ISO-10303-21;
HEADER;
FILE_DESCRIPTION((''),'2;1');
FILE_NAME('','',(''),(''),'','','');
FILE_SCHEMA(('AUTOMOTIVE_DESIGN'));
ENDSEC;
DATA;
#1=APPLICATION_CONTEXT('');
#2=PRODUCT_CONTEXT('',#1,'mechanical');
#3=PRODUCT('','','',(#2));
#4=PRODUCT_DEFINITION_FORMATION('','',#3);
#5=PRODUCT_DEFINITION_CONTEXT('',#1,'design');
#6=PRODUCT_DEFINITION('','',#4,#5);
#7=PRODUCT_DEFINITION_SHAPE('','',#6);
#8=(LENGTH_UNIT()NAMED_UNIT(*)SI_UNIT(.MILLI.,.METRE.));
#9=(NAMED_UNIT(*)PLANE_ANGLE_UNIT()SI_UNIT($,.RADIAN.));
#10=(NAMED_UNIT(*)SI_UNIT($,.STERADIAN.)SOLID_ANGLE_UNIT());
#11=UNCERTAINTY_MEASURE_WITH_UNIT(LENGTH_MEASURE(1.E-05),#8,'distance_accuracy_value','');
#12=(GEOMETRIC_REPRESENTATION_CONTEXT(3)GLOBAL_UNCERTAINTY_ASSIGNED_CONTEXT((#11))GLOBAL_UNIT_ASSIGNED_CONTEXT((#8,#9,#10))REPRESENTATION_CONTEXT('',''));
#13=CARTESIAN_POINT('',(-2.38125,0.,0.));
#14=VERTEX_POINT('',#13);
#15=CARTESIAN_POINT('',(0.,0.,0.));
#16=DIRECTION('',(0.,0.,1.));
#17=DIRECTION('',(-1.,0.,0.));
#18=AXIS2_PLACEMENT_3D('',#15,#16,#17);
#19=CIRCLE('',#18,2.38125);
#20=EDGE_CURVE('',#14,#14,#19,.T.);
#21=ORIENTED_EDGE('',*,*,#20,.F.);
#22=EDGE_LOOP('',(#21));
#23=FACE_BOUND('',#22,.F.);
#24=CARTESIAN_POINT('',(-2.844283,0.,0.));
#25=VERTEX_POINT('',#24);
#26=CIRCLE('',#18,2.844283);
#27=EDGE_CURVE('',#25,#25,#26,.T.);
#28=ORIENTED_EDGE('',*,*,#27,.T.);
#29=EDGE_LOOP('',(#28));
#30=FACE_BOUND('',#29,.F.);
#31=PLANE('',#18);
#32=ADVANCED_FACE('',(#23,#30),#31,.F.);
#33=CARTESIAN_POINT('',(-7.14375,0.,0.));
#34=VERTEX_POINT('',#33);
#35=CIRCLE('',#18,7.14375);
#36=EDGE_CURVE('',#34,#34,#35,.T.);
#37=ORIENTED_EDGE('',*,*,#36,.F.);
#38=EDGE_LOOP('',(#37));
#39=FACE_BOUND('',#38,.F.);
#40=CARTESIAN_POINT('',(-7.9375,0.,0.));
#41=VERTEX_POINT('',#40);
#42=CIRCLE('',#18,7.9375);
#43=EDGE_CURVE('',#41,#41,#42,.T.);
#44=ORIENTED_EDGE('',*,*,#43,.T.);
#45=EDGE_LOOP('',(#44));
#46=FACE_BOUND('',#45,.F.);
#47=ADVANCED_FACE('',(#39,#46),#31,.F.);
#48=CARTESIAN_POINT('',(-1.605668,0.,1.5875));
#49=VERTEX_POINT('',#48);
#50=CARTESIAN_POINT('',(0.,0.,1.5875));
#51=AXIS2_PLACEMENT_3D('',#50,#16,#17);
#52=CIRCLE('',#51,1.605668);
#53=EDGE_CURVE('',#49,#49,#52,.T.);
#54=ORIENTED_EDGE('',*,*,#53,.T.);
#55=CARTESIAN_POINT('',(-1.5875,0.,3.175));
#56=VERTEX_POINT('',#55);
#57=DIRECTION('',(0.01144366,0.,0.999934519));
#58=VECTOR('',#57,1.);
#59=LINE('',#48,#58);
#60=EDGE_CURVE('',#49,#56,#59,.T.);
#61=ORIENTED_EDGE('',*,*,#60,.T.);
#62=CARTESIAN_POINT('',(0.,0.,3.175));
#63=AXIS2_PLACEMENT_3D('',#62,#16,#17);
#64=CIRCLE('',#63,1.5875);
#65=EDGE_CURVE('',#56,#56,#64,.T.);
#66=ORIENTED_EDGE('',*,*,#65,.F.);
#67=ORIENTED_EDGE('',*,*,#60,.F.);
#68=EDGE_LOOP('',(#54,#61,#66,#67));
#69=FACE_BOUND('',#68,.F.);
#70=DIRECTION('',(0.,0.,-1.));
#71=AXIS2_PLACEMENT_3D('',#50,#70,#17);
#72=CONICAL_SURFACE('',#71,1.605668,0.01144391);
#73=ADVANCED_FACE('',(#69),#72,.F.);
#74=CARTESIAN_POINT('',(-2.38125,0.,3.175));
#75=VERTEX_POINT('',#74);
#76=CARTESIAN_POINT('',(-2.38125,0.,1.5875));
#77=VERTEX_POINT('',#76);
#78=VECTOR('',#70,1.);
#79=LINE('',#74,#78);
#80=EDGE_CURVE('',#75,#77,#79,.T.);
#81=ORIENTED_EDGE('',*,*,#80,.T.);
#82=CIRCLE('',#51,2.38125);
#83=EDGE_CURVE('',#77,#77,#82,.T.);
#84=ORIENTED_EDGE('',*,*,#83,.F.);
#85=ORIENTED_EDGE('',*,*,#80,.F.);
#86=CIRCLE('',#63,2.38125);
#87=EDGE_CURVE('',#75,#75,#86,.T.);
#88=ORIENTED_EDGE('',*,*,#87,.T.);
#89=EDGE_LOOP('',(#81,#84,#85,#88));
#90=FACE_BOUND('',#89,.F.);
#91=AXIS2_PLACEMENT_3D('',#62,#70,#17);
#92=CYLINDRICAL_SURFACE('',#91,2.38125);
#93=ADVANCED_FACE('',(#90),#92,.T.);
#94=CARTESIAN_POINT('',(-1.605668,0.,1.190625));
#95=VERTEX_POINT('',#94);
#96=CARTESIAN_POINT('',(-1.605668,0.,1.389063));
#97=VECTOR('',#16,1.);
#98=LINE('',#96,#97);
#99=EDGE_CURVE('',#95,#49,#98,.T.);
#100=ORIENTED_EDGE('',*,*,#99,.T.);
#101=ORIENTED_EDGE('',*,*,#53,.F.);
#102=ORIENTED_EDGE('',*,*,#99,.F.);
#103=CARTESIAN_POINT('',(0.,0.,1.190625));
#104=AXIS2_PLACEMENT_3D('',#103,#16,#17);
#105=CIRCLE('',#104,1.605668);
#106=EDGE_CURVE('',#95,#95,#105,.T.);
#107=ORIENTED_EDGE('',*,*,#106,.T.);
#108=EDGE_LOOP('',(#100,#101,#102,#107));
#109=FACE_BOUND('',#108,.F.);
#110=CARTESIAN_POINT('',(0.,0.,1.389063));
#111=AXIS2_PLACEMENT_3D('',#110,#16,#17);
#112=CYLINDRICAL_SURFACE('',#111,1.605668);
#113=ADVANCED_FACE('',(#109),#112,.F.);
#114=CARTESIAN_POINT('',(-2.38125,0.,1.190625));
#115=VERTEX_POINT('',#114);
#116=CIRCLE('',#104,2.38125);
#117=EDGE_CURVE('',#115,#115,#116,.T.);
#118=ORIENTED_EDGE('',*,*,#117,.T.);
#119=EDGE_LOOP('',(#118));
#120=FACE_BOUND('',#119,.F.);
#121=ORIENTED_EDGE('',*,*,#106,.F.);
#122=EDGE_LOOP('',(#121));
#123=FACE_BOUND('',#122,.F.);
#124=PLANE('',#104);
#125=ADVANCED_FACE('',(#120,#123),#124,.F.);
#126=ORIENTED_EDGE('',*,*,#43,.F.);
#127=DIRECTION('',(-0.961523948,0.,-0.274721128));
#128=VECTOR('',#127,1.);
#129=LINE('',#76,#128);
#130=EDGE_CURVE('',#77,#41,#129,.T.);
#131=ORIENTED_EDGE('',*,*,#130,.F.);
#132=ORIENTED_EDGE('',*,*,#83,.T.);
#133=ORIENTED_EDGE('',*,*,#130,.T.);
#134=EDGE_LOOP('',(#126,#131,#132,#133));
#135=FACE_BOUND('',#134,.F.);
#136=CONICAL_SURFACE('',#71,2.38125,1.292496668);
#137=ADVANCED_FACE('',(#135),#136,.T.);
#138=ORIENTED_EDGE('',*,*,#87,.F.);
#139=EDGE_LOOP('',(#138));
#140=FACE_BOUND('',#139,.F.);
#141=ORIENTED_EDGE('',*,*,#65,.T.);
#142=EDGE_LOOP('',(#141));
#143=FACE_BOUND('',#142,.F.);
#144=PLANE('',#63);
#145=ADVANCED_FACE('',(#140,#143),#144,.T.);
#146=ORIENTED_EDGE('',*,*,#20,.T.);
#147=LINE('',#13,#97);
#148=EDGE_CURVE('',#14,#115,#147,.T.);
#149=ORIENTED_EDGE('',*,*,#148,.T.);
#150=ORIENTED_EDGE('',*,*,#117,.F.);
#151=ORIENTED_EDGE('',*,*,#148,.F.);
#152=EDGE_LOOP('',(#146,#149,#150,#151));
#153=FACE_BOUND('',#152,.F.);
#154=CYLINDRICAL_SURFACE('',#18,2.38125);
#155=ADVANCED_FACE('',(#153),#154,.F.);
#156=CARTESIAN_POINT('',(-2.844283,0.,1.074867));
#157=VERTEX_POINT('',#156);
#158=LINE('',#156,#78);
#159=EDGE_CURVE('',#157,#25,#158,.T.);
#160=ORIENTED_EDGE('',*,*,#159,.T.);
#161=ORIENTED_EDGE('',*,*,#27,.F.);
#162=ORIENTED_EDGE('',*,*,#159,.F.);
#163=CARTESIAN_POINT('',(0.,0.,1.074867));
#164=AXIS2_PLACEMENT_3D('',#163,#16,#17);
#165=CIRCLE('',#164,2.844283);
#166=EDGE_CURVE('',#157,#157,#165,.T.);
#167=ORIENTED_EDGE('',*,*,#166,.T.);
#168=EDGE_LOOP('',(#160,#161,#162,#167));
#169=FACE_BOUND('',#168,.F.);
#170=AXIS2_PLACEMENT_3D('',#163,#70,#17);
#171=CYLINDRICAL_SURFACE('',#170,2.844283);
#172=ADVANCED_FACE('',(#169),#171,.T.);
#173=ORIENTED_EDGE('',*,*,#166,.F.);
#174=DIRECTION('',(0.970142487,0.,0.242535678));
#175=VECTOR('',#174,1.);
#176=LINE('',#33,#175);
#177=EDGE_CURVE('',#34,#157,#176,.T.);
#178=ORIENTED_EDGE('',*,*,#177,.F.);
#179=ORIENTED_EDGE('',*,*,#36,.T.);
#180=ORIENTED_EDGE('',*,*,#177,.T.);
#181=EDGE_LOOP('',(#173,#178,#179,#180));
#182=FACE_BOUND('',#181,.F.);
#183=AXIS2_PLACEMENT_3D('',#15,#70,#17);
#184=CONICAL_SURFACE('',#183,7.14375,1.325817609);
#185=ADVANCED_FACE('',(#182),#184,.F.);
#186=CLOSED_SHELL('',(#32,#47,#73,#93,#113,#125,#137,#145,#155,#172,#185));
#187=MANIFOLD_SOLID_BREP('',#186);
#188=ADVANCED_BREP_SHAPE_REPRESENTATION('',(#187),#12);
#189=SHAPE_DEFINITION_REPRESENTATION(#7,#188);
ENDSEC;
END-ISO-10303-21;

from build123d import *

# Parameters (mm, degrees)
F0_W = 0.775582
F0_H = 0.396875


with BuildPart() as f1:
    # F0 (on Front) → F1 (revolve)
    with BuildSketch(Plane.XZ):
        Polygon((-2.844283, 0), (-2.38125, 0), (-2.38125, 1.190625), (-2.844283, 1.074867), align=None)
        Polygon((-2.844283, 1.074867), (-2.38125, 1.190625), (-2.38125, 1.5875), (-7.9375, 0), (-7.14375, 0), align=None)
        with Locations((-1.993459, 1.389063)):
            Rectangle(F0_W, F0_H)
        Polygon((-2.38125, 1.5875), (-1.605668, 1.5875), (-1.5875, 3.175), (-2.38125, 3.175), align=None)
    revolve(axis=Axis((0, 0, 0.79375), (0, 0, 1)))


solid = f1.part
